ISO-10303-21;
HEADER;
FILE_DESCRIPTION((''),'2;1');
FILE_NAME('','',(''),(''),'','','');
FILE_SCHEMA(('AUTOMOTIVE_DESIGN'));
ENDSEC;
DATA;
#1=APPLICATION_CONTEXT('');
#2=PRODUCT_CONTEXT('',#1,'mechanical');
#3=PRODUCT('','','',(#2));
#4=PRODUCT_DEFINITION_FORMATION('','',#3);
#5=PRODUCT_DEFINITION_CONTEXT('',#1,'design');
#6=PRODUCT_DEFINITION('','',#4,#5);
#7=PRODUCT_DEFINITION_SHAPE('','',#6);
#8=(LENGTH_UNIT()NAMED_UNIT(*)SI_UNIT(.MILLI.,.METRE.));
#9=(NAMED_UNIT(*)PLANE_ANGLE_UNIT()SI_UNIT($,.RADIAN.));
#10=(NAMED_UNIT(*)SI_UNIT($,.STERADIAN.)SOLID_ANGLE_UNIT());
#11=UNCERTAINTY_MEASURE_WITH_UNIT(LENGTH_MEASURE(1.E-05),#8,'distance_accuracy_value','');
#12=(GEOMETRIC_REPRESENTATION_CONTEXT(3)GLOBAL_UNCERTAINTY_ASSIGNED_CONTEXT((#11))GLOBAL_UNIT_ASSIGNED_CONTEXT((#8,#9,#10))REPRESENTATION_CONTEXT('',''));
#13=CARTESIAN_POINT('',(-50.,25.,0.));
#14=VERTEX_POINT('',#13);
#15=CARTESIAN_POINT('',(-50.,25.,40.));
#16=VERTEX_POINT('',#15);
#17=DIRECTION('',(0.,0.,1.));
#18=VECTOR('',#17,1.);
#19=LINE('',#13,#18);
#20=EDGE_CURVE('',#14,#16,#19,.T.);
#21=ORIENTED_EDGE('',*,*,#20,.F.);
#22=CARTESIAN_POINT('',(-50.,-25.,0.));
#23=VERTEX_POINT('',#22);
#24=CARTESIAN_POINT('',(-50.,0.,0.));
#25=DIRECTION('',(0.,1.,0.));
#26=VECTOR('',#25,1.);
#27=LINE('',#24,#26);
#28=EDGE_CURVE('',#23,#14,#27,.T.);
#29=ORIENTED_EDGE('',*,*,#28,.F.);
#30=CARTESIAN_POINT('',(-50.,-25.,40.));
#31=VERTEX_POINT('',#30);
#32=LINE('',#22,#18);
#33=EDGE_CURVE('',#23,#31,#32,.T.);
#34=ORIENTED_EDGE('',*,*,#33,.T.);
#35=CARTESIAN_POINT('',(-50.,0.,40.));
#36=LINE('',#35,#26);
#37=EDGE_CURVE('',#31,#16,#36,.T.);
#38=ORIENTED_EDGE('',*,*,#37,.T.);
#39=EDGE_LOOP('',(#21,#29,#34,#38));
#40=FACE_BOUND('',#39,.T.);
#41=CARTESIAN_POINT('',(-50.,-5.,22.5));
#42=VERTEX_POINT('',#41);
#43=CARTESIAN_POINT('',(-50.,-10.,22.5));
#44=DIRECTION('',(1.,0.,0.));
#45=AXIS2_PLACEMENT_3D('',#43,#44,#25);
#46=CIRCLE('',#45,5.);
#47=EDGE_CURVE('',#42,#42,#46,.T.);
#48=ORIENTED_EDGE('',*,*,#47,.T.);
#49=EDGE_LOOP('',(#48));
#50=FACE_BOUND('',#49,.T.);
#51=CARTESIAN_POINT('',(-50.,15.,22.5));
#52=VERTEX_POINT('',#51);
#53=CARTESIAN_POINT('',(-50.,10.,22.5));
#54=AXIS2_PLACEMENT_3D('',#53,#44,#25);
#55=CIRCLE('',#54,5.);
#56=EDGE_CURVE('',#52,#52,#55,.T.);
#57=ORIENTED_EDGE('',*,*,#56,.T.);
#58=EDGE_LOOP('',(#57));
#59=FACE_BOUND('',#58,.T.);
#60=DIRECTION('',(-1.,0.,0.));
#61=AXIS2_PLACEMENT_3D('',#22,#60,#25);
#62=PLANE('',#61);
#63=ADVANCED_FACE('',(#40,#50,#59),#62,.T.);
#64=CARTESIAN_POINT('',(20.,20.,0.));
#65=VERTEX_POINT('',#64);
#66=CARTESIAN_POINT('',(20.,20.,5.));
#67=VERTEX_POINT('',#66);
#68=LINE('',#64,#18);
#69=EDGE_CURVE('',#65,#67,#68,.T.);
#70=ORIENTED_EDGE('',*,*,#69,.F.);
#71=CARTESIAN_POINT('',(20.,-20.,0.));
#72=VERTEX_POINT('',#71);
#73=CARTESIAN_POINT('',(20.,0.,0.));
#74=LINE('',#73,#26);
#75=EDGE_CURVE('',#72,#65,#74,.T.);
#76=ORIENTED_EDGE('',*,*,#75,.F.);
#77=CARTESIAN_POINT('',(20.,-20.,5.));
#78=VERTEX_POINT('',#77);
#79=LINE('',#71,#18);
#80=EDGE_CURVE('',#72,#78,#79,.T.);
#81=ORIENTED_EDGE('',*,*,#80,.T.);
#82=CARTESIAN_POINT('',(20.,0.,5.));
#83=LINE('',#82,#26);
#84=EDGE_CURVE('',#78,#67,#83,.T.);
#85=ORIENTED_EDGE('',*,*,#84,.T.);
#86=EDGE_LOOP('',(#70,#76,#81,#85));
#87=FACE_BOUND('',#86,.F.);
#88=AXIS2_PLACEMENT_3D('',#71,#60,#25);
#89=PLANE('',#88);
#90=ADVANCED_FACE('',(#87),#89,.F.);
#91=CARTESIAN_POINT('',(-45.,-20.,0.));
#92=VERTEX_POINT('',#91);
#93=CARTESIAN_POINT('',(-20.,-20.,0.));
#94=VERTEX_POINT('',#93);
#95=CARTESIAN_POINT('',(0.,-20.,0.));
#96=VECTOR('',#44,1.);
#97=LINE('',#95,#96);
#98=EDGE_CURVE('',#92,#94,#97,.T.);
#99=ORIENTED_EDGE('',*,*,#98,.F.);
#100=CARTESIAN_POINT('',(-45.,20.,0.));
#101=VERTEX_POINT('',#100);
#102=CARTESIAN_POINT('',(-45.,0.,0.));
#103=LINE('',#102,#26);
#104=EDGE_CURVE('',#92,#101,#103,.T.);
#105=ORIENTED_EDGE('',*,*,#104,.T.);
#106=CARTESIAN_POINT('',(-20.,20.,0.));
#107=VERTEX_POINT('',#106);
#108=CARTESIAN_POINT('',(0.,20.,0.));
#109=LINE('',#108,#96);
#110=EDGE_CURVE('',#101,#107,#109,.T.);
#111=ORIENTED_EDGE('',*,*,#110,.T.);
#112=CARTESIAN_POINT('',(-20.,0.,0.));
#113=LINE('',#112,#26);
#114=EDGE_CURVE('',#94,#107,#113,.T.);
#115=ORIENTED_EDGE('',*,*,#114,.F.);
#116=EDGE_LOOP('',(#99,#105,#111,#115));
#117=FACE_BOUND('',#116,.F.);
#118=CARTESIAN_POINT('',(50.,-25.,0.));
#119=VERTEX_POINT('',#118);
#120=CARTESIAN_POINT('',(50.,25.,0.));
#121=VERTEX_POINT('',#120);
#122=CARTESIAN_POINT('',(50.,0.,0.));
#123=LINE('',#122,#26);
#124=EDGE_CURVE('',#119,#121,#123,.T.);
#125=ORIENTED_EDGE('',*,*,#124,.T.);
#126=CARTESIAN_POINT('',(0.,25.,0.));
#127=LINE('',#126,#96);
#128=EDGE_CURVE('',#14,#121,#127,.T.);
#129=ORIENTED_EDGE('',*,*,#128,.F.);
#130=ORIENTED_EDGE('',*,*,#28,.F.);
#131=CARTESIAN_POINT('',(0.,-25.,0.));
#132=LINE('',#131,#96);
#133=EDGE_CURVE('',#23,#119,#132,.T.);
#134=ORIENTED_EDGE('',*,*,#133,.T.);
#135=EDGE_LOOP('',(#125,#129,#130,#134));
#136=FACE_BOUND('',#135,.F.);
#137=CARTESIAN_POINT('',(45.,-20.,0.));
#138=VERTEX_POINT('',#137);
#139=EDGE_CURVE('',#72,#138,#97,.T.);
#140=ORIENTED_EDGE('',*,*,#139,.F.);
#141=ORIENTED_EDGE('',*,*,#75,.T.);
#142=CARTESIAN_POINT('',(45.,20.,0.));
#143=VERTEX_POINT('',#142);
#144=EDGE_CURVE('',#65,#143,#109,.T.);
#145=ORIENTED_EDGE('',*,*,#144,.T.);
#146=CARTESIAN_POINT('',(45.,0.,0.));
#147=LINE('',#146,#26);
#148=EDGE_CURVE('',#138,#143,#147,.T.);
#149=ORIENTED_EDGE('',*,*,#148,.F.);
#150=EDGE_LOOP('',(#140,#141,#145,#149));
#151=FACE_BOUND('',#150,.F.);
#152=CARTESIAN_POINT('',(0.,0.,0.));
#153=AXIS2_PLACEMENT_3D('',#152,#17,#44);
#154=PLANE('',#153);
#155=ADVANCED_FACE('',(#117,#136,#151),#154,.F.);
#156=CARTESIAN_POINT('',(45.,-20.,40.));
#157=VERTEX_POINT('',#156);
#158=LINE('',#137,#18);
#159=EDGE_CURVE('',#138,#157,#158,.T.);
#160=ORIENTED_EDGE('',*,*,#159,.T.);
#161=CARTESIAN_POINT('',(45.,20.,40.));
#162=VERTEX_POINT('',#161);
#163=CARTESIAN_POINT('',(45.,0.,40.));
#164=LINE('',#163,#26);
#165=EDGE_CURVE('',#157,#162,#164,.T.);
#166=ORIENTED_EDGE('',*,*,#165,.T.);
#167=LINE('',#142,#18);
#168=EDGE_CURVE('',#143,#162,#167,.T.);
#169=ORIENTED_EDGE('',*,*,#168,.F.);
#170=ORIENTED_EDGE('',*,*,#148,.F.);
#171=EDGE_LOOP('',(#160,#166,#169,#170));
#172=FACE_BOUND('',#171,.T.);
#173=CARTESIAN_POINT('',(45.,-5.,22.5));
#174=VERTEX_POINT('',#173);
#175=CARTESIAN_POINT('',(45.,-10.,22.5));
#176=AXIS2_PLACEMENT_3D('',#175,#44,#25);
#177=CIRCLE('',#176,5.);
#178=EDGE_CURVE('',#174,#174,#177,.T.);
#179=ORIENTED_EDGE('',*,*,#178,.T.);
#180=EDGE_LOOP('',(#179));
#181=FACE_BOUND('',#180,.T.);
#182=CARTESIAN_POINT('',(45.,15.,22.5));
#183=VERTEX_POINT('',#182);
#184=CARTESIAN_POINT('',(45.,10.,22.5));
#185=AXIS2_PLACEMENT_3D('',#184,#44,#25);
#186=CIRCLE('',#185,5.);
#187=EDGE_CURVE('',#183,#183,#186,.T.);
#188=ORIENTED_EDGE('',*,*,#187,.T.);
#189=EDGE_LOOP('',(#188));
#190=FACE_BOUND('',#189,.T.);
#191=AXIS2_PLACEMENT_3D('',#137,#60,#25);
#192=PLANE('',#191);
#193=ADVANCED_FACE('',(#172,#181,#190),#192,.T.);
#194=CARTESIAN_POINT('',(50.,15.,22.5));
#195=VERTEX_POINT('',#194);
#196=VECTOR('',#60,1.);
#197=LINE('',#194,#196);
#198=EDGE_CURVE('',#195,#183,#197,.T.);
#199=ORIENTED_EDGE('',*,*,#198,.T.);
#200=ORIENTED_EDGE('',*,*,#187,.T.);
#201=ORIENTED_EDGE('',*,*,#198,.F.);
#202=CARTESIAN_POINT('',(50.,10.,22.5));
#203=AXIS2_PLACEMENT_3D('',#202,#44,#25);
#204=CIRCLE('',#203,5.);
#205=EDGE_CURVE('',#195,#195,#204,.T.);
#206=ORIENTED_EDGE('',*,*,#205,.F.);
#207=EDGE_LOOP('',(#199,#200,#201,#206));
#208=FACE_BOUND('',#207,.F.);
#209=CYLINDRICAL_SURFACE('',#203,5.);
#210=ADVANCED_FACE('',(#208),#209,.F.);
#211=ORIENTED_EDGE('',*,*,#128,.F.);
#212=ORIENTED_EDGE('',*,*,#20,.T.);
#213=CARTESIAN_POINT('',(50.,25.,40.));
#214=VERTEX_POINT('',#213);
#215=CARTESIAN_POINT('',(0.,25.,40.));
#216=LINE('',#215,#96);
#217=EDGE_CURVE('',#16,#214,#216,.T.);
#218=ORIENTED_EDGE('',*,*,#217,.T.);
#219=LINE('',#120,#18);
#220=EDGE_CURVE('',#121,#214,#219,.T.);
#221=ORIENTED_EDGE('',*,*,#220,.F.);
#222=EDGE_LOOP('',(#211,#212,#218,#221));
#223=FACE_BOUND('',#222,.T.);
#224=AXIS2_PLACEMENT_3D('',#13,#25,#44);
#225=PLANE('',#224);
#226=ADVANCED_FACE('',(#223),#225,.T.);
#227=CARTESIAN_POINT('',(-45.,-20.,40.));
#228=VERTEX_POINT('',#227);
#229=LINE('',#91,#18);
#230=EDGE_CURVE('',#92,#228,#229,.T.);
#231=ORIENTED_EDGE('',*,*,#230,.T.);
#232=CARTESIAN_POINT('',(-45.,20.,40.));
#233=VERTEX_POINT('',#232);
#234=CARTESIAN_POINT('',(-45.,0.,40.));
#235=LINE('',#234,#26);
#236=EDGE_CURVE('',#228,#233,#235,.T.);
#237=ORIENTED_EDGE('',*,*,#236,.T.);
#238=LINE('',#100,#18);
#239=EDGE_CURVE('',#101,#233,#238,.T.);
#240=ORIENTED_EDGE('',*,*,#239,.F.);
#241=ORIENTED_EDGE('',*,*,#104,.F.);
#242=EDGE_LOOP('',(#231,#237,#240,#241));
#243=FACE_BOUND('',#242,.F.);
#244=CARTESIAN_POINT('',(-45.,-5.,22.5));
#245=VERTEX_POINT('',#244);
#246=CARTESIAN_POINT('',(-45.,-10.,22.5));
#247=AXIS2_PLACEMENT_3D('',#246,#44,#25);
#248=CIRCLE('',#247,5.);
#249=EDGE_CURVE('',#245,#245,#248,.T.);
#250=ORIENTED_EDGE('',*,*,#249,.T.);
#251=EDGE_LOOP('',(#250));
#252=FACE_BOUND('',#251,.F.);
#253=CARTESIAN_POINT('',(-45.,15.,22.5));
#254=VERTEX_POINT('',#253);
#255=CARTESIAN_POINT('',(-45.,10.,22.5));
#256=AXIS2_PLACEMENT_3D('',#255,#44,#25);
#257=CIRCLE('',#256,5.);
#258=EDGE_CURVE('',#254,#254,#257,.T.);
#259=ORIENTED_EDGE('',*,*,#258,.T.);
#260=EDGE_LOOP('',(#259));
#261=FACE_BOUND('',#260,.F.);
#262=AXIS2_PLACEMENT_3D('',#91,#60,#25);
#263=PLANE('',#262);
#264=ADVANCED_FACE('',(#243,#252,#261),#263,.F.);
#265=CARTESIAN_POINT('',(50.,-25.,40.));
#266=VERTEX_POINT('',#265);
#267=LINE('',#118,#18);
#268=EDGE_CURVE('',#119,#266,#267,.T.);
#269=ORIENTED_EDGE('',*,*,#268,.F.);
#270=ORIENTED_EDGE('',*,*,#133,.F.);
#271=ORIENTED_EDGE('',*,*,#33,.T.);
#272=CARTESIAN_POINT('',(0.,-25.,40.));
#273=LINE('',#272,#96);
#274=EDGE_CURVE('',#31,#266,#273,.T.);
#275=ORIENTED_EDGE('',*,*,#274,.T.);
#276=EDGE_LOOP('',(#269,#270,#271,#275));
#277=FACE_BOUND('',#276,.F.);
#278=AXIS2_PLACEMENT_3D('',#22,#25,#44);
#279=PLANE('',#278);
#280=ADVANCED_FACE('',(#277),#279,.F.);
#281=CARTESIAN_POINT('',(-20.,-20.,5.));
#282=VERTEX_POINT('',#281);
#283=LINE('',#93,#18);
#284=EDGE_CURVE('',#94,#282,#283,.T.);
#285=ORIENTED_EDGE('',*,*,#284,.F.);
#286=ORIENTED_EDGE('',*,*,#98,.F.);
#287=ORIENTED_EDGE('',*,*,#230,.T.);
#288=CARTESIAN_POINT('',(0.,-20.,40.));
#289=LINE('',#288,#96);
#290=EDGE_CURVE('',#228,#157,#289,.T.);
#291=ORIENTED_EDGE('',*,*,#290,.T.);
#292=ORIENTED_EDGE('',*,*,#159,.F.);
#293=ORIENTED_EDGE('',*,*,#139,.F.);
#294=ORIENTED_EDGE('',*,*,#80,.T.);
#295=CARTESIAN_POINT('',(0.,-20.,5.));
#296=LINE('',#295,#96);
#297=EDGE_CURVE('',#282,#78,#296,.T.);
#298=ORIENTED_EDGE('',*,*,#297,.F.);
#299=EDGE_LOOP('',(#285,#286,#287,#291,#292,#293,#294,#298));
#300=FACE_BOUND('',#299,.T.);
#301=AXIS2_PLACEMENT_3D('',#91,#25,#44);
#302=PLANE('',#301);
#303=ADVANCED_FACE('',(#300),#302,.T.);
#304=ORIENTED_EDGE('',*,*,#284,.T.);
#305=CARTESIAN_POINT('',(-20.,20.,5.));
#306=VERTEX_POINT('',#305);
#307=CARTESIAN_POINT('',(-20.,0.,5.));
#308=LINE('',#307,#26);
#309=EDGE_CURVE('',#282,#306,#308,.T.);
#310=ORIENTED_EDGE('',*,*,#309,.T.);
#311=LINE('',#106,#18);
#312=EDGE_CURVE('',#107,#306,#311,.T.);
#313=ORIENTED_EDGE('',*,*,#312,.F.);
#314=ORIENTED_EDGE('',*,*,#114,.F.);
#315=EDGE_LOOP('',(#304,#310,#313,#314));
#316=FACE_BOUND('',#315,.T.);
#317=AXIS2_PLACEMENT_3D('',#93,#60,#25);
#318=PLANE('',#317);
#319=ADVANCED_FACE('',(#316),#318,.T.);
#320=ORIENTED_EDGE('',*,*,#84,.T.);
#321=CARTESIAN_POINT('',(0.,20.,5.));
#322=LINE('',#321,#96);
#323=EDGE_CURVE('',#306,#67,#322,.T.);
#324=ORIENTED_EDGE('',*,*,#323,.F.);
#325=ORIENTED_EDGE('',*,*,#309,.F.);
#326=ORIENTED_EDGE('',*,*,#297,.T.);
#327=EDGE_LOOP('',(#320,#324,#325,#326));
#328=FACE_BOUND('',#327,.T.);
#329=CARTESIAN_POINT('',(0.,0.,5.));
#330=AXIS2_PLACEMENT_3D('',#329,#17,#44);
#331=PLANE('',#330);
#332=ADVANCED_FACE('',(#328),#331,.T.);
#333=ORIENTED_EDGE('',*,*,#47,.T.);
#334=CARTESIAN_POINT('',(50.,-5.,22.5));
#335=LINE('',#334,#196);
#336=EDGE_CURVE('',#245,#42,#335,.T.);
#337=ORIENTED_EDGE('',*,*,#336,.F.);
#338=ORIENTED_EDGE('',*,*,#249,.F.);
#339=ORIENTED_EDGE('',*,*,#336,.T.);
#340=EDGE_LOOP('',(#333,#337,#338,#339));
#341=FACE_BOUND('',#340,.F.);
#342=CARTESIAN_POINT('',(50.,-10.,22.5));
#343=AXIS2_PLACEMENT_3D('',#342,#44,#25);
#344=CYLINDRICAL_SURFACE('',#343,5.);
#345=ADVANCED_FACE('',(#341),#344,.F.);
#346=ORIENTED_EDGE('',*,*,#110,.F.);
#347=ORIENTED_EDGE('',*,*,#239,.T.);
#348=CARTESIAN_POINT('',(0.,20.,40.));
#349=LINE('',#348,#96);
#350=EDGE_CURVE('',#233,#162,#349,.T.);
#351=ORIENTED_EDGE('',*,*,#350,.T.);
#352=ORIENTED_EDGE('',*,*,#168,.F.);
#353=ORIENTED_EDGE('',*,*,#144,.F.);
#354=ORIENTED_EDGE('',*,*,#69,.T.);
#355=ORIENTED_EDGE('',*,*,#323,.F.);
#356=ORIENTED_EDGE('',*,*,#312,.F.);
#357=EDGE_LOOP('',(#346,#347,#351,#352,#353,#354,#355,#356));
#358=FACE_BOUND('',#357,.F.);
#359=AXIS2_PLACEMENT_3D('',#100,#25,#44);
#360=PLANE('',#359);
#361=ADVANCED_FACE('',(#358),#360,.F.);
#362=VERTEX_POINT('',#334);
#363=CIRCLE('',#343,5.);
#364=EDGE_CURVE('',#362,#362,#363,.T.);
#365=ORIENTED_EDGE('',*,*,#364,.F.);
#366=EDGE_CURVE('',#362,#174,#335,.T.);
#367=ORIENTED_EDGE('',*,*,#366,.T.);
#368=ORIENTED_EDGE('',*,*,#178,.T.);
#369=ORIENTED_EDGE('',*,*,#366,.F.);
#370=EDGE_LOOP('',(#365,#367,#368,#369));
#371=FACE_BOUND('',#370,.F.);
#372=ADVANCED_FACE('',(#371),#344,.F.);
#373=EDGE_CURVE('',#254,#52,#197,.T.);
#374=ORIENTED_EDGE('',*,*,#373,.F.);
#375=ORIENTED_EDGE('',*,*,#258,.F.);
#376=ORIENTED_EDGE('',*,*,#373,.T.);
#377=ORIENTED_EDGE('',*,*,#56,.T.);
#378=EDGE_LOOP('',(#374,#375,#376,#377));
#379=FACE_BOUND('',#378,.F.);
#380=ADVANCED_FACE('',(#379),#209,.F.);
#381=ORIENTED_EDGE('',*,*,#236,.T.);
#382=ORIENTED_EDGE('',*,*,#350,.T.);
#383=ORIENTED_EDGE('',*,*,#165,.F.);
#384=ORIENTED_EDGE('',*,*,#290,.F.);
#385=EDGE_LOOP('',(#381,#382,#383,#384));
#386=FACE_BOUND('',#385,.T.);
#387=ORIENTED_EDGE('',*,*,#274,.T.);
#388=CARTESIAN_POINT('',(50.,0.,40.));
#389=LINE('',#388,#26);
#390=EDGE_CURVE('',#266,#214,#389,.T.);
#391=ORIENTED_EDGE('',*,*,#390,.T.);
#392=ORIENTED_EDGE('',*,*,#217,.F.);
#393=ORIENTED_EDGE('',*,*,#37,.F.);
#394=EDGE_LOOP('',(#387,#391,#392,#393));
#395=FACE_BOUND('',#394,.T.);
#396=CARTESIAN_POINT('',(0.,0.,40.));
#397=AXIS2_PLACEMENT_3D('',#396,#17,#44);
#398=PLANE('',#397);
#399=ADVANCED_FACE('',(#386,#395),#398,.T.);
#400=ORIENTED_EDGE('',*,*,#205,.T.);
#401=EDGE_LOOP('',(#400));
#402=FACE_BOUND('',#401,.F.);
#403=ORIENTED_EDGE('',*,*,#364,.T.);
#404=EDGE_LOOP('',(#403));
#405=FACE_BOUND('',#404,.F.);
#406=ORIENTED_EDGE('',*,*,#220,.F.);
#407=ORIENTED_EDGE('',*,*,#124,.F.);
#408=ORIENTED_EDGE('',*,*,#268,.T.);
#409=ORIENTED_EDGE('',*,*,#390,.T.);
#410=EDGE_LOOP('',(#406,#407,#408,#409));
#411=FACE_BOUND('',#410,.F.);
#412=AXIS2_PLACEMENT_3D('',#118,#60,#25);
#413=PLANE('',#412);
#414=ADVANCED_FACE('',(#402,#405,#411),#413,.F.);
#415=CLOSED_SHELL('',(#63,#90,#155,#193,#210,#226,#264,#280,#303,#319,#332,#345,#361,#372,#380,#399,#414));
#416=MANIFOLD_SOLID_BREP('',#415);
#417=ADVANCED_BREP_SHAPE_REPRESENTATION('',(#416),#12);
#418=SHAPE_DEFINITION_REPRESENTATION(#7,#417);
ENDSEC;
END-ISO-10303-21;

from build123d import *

# Parameters (mm, degrees)
SKETCH_W     = 100
SKETCH_H     = 50
SKETCH_W_2   = 90
SKETCH_H_2   = 40
PAD_DEPTH    = 40
SKETCH001_W  = 40
SKETCH001_H  = 40
PAD001_DEPTH = 5
SKETCH002_R  = 5
POCKET_DEPTH = 100.001


with BuildPart() as part:
    # Sketch → Pad (new body)
    with BuildSketch(Plane.XY):
        Rectangle(SKETCH_W, SKETCH_H)
        Rectangle(SKETCH_W_2, SKETCH_H_2, mode=Mode.SUBTRACT)
    extrude(amount=PAD_DEPTH)

    # Sketch001 → Pad001 (join)
    with BuildSketch(Plane.XY):
        Rectangle(SKETCH001_W, SKETCH001_H)
    extrude(amount=PAD001_DEPTH)

    # Sketch002 (on Face3 of Pad001) → Pocket (cut, through all)
    with BuildSketch(Plane.YZ.offset(50)):
        with Locations((10, 22.5)):
            Circle(SKETCH002_R)
        with Locations((-10, 22.5)):
            Circle(SKETCH002_R)
    extrude(amount=-POCKET_DEPTH, mode=Mode.SUBTRACT)


solid = part.part
